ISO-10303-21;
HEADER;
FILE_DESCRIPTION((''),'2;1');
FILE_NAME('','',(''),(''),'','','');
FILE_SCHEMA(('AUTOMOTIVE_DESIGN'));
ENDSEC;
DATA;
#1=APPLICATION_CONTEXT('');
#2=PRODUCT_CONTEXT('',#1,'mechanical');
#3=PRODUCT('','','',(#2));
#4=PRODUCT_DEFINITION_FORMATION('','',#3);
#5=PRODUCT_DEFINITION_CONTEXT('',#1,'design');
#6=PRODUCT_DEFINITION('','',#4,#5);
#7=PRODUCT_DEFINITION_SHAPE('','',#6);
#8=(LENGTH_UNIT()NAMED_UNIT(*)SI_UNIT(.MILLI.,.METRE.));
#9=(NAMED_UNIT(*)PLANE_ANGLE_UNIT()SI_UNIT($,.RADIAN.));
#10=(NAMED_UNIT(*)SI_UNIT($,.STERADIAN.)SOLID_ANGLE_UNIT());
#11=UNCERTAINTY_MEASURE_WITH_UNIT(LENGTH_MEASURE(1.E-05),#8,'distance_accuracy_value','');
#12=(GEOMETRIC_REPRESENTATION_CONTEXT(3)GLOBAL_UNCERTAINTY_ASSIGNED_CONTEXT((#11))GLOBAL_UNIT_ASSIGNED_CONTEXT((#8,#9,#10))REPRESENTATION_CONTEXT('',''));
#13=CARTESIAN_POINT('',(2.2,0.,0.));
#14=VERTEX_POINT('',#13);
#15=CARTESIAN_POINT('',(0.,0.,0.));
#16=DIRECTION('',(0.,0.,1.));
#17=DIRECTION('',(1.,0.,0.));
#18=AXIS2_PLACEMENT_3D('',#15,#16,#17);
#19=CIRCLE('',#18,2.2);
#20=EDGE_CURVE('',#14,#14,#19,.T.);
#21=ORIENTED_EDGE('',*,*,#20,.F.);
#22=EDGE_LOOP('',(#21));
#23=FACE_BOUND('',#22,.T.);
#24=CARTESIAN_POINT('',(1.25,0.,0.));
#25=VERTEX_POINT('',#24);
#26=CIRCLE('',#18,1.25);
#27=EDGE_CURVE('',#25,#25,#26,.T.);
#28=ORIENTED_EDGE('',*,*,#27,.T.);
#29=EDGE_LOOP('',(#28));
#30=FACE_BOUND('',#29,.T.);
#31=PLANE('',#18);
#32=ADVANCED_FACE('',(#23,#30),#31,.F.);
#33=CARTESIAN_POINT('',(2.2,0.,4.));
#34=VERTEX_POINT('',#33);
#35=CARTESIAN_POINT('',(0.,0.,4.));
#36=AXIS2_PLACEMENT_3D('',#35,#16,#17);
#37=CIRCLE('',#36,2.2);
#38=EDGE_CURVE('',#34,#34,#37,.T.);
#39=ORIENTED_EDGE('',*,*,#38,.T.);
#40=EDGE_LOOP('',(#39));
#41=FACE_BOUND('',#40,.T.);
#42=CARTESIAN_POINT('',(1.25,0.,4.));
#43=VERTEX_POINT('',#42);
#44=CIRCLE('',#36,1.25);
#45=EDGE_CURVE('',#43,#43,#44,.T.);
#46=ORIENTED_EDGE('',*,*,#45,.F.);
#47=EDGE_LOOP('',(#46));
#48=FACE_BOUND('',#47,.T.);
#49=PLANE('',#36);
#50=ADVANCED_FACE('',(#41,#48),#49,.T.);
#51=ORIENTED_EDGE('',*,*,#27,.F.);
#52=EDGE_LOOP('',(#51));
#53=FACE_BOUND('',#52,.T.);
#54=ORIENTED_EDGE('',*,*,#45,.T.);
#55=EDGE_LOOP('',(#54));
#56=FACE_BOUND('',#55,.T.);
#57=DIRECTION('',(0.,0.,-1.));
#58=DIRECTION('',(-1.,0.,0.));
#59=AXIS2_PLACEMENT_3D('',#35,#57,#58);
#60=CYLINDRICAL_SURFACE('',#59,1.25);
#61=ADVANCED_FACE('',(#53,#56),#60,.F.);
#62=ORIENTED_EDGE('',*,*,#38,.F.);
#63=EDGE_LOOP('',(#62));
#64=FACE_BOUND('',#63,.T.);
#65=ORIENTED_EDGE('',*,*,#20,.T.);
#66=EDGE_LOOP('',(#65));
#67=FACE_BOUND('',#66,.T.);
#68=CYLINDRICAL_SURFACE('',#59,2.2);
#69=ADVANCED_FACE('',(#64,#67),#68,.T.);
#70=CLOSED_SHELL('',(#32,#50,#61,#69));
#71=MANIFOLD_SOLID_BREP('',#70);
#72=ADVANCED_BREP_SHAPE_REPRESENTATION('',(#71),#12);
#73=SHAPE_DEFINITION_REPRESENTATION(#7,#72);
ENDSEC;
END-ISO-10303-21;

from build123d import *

# Parameters (mm, degrees)
SKETCH_1_R      = 2.2
SKETCH_1_R_2    = 1.25
EXTRUDE_2_DEPTH = 4


with BuildPart() as part:
    # 草图1 → 凸台-拉伸2 (new body)
    with BuildSketch(Plane.XY):
        Circle(SKETCH_1_R)
        Circle(SKETCH_1_R_2, mode=Mode.SUBTRACT)
    extrude(amount=EXTRUDE_2_DEPTH)


solid = part.part
